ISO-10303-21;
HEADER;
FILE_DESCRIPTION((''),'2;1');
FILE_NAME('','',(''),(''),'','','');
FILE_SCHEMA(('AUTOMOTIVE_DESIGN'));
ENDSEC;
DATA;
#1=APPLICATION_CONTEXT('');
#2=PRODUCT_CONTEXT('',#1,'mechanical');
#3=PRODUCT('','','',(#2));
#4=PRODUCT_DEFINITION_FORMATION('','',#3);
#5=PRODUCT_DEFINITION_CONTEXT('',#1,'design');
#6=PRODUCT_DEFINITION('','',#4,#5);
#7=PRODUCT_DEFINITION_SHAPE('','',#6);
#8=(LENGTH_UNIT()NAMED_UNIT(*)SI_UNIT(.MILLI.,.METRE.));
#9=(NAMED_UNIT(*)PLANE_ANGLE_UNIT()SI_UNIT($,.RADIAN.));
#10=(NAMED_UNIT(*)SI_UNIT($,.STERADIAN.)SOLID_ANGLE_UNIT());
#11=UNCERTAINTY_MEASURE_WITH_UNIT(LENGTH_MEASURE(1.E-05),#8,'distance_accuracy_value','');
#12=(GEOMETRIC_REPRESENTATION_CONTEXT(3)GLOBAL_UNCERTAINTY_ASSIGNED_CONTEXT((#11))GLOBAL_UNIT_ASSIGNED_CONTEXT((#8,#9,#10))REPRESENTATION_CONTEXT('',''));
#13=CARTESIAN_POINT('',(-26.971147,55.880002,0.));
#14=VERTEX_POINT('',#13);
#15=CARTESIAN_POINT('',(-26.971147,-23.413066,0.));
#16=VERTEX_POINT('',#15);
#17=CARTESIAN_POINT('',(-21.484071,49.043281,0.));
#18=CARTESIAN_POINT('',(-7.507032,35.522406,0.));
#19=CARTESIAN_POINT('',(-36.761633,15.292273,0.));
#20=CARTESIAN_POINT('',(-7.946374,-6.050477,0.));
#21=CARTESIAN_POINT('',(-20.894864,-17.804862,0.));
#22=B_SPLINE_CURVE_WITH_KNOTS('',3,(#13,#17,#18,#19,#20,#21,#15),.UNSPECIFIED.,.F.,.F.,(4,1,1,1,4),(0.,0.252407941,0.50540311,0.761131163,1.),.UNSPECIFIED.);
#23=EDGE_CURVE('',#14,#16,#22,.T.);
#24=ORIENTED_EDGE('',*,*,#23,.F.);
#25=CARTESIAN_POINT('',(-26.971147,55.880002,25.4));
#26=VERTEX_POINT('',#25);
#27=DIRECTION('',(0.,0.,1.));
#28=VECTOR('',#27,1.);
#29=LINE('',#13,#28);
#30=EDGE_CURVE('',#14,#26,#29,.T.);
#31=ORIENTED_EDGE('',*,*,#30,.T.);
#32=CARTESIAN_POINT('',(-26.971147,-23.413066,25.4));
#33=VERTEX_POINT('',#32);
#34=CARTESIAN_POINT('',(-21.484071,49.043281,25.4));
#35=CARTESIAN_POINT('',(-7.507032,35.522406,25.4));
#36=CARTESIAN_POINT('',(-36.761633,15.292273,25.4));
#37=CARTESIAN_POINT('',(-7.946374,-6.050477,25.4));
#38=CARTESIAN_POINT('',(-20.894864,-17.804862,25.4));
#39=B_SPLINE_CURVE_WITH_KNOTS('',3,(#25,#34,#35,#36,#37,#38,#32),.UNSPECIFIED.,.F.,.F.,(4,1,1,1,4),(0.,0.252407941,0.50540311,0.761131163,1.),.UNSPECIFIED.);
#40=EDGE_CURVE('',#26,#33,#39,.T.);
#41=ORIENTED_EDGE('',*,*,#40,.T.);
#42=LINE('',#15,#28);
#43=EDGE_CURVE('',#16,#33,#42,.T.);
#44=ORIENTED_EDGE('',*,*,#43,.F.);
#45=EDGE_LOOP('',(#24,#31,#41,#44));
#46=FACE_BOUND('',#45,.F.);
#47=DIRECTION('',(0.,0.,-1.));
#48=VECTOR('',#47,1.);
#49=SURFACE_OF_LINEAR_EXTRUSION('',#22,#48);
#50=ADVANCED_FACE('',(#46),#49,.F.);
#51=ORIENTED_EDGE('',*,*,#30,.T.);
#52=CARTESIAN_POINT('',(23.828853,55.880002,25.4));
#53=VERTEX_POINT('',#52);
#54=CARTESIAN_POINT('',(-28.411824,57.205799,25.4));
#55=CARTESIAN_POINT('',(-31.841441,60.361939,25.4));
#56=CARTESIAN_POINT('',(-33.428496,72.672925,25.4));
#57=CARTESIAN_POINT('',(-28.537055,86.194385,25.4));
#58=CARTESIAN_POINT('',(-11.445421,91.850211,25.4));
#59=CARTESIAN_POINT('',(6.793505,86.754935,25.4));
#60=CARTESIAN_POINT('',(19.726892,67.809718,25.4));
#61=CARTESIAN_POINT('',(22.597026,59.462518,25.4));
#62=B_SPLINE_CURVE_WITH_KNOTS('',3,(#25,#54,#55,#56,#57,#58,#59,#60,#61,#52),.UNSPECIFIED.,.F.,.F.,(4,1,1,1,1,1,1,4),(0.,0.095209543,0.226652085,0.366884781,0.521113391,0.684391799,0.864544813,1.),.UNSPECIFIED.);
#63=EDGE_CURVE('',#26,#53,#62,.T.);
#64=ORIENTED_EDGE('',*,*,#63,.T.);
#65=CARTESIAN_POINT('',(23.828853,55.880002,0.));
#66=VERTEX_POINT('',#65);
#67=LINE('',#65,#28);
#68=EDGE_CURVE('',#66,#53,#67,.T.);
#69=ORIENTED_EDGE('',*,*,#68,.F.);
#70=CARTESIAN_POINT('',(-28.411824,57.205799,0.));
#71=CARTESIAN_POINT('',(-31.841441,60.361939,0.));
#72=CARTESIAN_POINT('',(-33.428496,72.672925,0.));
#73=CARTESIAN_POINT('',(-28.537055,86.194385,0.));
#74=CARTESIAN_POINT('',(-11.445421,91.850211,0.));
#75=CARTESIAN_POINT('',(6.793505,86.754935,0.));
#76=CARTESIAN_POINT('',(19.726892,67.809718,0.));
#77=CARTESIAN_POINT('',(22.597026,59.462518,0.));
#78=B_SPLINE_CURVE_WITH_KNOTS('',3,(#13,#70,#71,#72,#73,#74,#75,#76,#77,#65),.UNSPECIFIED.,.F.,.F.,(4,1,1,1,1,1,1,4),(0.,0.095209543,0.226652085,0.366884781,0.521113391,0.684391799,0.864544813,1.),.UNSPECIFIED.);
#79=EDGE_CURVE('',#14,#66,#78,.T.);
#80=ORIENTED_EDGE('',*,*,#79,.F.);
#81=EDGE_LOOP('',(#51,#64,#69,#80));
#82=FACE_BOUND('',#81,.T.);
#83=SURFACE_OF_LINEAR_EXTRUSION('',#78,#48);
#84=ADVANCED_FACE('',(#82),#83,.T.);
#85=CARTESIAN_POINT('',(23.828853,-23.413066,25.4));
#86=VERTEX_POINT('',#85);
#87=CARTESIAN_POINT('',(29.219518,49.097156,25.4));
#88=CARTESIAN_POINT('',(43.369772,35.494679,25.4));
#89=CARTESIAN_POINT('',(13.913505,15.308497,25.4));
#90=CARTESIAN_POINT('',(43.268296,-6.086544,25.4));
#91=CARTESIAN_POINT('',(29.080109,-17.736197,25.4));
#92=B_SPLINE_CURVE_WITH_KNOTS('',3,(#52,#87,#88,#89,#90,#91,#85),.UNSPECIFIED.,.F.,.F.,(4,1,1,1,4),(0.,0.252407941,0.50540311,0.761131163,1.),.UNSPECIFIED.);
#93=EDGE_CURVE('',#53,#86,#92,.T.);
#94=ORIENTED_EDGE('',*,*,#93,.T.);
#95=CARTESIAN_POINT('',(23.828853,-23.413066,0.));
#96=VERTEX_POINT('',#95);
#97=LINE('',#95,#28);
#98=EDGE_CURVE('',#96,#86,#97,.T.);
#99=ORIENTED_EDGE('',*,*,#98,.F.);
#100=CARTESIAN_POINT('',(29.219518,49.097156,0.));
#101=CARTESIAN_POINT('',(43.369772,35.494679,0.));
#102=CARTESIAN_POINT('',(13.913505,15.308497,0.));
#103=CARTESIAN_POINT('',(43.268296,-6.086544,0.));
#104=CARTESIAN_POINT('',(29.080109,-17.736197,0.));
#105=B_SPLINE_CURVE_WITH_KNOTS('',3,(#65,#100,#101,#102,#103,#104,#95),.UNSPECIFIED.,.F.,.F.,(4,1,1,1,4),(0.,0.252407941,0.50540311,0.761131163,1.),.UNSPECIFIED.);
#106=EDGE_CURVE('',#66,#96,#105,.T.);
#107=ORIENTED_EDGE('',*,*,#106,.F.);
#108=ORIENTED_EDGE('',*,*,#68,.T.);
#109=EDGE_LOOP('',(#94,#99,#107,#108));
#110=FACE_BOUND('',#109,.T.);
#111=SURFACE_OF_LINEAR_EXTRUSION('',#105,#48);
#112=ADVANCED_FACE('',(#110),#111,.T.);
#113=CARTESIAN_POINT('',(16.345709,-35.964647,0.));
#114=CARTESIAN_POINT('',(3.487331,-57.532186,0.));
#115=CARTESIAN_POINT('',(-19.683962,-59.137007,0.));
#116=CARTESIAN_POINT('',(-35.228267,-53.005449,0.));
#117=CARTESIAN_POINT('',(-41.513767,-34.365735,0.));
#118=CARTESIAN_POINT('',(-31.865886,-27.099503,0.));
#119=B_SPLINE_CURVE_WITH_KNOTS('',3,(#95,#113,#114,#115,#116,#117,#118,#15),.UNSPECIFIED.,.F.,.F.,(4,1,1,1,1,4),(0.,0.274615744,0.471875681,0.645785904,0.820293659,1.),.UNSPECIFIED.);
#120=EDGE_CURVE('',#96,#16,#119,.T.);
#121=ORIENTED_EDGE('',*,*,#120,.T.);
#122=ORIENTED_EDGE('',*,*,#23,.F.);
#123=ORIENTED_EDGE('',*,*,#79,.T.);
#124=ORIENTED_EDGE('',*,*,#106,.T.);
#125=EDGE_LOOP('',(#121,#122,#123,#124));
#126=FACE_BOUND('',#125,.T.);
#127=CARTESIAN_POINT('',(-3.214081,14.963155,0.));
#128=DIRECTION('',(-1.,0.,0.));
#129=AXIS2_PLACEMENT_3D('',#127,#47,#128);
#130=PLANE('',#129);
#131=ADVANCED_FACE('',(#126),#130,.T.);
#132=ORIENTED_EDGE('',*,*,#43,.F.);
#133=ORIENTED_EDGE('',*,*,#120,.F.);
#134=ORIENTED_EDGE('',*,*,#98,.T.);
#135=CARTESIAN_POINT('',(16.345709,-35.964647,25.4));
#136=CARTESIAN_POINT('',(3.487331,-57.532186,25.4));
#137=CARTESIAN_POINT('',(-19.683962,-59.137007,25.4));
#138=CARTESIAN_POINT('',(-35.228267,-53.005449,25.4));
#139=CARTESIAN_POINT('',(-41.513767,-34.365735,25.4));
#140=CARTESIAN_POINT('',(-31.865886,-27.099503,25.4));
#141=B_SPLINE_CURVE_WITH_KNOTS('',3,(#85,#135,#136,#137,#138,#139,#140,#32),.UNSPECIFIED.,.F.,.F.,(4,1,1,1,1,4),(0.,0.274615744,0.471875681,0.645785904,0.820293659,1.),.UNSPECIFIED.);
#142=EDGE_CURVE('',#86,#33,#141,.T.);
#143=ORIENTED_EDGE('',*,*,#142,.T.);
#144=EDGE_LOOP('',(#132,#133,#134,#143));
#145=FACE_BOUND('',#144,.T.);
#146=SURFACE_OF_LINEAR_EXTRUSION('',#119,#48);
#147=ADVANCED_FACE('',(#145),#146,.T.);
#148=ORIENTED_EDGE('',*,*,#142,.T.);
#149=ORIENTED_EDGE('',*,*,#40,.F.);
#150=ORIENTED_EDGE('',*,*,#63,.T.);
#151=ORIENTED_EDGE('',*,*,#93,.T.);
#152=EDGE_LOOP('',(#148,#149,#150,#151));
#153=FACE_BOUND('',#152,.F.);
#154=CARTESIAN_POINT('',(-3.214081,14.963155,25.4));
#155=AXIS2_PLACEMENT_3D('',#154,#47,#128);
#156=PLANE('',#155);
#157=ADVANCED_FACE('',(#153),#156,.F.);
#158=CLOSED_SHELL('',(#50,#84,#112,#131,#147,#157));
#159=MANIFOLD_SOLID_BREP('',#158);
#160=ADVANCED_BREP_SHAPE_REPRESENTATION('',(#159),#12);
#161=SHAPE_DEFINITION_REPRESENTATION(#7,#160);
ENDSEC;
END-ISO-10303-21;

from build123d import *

# Parameters (mm, degrees)
F1_DEPTH = 25.4


with BuildPart() as f1:
    # F0 (on Top) → F1 (new body)
    with BuildSketch(Plane.XY):
        with BuildLine():
            add(Edge.make_bspline(
                [(-26.971147434, 55.8800016826), (-28.4118237038, 57.2057987693), (-31.8414408399, 60.3619390508), (-33.4284961718, 72.6729251173), (-28.5370551377, 86.1943848299), (-11.4454206947, 91.8502111658), (6.7935046375, 86.7549347276), (19.7268918622, 67.80971766), (22.5970260241, 59.4625179082), (23.828852566, 55.8800016826)],
                knots=[0, 0, 0, 0, 0.0952095432, 0.2266520853, 0.366884781, 0.5211133913, 0.6843917992, 0.8645448134, 1, 1, 1, 1], degree=3))
            add(Edge.make_bspline(
                [(-26.971147434, 55.8800016826), (-21.4840705815, 49.0432811786), (-7.507032308, 35.5224056546), (-36.7616326866, 15.2922732881), (-7.9463735787, -6.0504765105), (-20.8948642411, -17.8048615893), (-26.971147434, -23.4130658209)],
                knots=[0, 0, 0, 0, 0.2524079408, 0.5054031103, 0.7611311626, 1, 1, 1, 1], degree=3))
            add(Edge.make_bspline(
                [(23.828852566, -23.4130658209), (16.3457094552, -35.9646467252), (3.4873306983, -57.5321857765), (-19.6839624813, -59.1370071795), (-35.2282671553, -53.0054491996), (-41.5137668249, -34.365735258), (-31.8658859482, -27.0995030084), (-26.971147434, -23.4130658209)],
                knots=[0, 0, 0, 0, 0.2746157443, 0.4718756813, 0.6457859044, 0.8202936585, 1, 1, 1, 1], degree=3))
            add(Edge.make_bspline(
                [(23.828852566, 55.8800016826), (29.2195184587, 49.0971564371), (43.3697718517, 35.4946786487), (13.9135049334, 15.3084967421), (43.2682960133, -6.0865440825), (29.080109389, -17.7361972786), (23.828852566, -23.4130658209)],
                knots=[0, 0, 0, 0, 0.2524079408, 0.5054031103, 0.7611311626, 1, 1, 1, 1], degree=3))
        make_face()
    extrude(amount=F1_DEPTH)


solid = f1.part
